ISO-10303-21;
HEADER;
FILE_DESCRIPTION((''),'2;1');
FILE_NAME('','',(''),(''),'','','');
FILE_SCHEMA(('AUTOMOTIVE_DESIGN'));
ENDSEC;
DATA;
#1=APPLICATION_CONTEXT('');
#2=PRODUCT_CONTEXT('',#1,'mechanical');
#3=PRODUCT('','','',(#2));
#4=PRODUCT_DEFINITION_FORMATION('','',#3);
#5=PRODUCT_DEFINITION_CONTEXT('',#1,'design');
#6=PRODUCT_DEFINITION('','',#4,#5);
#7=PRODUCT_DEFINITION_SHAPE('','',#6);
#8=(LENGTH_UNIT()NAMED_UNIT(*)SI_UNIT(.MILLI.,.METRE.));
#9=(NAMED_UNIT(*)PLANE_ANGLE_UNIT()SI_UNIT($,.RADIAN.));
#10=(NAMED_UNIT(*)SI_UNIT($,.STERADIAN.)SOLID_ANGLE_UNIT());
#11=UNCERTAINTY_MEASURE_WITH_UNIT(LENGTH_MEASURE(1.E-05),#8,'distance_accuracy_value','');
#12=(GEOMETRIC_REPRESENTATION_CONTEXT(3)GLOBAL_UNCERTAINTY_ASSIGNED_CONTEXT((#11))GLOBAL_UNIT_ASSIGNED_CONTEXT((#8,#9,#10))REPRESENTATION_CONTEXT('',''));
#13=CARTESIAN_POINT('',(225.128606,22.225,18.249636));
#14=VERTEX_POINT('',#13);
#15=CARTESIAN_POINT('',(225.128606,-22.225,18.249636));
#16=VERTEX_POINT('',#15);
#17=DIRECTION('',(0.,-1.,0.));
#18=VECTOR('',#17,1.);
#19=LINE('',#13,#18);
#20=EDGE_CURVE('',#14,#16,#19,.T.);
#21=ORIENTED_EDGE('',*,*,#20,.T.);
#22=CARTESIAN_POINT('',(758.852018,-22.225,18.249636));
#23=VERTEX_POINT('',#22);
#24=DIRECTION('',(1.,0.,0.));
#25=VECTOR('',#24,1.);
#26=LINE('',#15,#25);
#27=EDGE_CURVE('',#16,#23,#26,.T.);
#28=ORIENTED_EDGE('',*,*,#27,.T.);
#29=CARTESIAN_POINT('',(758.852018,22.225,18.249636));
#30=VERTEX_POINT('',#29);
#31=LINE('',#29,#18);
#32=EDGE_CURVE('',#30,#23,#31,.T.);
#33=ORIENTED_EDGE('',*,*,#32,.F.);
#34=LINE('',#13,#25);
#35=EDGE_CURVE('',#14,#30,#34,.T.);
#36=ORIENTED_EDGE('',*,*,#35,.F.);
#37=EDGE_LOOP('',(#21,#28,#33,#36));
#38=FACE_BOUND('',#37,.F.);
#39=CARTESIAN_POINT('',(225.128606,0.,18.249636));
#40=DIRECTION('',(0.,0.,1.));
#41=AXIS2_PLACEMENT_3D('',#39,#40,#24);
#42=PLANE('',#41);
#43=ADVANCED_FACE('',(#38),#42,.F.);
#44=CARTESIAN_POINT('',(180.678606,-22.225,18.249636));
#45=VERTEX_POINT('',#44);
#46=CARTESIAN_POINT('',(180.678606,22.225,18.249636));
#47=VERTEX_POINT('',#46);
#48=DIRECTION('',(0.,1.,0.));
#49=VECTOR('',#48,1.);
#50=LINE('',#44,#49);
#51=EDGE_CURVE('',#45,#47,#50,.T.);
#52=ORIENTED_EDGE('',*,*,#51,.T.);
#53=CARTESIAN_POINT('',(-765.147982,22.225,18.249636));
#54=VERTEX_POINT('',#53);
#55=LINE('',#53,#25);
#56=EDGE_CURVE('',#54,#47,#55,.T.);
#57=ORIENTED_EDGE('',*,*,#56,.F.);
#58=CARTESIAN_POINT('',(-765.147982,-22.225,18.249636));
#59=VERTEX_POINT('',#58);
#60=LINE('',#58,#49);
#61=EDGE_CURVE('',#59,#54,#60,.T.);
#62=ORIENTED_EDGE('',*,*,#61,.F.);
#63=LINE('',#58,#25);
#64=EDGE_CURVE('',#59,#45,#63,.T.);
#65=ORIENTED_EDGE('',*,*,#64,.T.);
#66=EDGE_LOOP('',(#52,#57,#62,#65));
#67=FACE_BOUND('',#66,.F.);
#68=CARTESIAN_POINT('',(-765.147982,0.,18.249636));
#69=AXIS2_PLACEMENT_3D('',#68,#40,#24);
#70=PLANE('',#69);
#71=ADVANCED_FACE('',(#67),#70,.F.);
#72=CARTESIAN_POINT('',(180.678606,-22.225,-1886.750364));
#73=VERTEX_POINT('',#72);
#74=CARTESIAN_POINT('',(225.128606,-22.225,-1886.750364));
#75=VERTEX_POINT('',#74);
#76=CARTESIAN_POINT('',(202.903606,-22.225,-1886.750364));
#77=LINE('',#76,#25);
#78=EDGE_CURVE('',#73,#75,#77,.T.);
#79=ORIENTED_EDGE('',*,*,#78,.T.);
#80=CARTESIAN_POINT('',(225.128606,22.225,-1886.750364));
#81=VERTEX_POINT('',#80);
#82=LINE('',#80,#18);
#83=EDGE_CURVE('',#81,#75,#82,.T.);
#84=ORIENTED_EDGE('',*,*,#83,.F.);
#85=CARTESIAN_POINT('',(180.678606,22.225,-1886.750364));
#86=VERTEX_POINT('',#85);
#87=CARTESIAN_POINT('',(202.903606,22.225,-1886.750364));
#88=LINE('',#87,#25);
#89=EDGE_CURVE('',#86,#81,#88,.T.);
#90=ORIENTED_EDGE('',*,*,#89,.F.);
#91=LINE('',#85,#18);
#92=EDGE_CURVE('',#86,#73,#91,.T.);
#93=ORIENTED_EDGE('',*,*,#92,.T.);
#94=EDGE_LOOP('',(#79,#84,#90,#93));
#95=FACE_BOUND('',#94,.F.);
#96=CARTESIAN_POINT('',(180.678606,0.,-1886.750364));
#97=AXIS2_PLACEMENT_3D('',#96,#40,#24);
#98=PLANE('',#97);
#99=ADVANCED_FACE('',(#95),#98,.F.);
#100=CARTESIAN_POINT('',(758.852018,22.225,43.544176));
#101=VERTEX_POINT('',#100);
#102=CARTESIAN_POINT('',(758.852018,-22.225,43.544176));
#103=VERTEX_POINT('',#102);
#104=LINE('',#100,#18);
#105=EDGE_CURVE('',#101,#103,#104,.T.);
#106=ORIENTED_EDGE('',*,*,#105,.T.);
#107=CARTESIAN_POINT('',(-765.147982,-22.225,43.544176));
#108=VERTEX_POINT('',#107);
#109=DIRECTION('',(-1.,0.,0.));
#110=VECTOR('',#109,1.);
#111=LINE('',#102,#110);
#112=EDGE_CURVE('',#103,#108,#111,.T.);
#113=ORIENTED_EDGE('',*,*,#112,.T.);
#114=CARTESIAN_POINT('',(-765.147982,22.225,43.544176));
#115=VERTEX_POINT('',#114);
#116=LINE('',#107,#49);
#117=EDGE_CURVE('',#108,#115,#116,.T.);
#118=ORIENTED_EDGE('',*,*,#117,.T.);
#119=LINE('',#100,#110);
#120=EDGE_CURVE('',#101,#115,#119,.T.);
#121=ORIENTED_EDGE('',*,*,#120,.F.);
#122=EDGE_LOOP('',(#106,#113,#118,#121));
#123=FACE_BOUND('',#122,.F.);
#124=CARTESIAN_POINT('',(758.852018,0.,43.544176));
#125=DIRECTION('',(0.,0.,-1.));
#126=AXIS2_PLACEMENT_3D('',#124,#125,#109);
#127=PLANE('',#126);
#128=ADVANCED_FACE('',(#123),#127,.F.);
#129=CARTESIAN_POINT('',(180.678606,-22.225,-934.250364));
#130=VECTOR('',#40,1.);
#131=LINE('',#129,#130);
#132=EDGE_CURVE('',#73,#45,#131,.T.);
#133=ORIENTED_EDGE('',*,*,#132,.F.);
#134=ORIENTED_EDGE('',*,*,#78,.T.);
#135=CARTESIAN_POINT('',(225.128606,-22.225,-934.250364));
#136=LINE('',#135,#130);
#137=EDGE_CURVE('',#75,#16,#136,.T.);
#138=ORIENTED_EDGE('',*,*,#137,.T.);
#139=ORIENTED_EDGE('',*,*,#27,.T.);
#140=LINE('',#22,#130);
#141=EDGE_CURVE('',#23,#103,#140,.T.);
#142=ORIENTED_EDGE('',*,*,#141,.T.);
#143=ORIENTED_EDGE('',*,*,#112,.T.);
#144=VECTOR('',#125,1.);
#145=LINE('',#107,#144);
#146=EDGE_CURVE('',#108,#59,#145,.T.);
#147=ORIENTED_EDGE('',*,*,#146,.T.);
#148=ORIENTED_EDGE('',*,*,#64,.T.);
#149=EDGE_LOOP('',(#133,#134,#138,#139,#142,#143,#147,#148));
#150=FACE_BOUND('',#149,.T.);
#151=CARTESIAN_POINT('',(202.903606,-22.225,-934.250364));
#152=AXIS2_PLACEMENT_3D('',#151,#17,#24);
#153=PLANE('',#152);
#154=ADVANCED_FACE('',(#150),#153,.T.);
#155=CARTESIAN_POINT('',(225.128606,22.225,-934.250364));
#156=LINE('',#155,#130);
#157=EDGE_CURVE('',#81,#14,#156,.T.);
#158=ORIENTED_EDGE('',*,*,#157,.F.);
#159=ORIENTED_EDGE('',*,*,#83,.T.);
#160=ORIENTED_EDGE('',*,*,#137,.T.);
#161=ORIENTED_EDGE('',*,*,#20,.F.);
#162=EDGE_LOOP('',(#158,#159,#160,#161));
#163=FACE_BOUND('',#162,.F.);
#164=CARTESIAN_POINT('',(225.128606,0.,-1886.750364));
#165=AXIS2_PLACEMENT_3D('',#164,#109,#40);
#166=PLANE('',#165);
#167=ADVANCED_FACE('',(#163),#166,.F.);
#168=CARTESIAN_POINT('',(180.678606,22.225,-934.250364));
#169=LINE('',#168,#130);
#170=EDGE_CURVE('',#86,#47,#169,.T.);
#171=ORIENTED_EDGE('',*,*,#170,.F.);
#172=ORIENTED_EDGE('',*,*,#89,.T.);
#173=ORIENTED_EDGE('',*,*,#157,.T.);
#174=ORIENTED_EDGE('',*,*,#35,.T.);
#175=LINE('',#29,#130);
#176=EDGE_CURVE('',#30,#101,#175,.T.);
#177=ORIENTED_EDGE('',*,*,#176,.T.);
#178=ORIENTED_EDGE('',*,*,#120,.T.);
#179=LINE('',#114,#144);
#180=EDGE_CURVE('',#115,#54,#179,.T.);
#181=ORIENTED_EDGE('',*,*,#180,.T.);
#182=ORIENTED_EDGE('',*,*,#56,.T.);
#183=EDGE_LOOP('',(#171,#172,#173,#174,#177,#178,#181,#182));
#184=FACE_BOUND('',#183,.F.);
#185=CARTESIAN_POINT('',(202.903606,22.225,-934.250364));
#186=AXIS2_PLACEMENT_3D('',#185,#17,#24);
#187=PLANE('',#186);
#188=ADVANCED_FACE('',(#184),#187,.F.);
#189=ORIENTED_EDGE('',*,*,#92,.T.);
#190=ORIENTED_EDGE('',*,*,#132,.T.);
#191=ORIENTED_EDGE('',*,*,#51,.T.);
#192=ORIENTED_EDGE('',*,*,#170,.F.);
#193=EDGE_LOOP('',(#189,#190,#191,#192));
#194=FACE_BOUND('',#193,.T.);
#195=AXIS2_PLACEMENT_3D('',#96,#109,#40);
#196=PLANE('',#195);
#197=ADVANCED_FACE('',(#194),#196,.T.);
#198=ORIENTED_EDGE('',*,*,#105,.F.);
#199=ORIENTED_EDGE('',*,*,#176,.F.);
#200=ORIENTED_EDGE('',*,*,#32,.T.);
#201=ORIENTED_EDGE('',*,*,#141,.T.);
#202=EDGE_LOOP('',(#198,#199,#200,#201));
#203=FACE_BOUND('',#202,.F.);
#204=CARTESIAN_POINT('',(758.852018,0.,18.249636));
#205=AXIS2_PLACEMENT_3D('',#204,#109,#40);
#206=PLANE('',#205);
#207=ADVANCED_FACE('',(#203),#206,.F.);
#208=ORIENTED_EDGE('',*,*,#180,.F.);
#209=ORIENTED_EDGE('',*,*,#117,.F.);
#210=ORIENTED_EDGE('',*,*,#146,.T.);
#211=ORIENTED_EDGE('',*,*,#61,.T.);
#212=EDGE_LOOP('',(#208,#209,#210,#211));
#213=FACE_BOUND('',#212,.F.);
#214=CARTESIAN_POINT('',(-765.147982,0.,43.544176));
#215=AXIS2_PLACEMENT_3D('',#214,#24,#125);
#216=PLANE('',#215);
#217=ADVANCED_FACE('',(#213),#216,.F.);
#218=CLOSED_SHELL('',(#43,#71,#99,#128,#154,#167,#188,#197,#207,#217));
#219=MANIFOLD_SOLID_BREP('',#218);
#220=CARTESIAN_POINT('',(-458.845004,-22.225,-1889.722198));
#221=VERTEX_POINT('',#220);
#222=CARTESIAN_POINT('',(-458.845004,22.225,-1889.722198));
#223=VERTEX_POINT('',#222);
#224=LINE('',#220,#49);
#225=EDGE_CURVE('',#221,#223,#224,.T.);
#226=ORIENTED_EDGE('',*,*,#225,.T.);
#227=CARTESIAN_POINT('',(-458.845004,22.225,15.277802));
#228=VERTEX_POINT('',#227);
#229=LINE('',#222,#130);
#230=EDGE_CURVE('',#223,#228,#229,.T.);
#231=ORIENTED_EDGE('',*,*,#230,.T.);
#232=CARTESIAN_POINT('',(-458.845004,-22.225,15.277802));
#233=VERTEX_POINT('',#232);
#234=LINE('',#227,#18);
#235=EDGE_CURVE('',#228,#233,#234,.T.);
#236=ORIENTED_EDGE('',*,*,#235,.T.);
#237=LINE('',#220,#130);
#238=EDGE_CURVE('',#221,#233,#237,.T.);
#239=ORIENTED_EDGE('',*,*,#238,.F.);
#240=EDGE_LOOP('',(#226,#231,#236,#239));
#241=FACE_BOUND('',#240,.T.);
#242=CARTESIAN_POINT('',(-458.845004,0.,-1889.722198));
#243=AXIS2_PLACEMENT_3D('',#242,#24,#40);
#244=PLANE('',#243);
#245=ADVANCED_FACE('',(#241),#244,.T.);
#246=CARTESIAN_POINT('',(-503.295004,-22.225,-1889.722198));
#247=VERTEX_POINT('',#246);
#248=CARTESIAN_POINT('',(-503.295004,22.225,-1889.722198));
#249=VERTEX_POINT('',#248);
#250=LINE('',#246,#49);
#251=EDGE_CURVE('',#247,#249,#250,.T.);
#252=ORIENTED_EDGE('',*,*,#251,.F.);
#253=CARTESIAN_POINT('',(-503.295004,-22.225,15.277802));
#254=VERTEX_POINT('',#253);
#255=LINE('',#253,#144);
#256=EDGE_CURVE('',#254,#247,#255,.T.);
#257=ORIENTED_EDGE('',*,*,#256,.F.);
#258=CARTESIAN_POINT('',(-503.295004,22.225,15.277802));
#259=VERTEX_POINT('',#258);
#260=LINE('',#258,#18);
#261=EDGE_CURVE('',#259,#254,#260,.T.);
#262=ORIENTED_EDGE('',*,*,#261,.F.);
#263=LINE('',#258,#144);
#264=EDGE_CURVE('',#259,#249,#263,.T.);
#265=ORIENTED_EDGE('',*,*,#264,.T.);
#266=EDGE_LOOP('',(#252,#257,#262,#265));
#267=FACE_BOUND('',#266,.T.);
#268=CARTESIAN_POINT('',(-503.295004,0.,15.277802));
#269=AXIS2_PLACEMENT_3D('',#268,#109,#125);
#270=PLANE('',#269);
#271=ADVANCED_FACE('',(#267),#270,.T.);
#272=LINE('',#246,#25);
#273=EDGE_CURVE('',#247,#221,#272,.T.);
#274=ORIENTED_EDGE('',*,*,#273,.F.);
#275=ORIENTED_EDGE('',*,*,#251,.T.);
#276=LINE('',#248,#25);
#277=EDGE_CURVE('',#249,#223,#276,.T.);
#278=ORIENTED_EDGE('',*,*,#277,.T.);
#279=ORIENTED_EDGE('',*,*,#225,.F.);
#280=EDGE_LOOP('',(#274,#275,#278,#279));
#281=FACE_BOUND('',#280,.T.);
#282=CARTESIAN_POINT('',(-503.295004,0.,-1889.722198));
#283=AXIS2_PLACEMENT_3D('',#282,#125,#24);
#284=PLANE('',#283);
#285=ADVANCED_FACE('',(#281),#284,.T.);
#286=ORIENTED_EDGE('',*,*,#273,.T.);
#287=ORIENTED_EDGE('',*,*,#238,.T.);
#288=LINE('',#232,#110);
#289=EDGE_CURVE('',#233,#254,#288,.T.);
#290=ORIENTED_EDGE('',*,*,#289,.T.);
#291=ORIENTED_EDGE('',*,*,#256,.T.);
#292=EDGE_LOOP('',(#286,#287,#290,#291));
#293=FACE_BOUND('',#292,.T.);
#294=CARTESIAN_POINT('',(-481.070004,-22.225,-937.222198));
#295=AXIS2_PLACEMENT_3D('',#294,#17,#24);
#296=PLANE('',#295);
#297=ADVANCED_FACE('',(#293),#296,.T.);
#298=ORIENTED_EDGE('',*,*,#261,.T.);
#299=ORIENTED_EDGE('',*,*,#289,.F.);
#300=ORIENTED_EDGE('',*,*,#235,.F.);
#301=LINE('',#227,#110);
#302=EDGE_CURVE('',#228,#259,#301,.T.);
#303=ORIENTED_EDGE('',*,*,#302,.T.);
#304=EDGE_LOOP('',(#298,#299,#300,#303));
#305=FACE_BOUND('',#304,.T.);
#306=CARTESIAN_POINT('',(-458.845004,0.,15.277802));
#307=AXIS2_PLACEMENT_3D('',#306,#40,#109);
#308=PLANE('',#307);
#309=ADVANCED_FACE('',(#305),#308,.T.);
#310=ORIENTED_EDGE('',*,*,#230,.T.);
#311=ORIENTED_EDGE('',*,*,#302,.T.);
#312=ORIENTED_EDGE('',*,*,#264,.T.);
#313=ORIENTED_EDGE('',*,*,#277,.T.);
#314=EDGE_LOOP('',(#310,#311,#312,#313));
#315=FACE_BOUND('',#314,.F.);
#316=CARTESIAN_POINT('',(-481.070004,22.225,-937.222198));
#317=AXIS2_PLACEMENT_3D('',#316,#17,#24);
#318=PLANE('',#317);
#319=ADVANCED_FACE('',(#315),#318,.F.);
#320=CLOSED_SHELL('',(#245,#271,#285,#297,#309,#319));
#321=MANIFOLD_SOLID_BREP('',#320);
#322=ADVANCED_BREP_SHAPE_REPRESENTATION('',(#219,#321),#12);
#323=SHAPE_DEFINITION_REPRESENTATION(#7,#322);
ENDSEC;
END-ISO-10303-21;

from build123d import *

# Parameters (mm, degrees)
F0_W     = 44.45
F0_H     = 1905
F1_DEPTH = 22.225


with BuildPart() as f1:
    # F0 (on Front) → F1 (new body, symmetric)
    with BuildSketch(Plane.XZ):
        with Locations((202.903606, -934.250364)):
            Rectangle(F0_W, F0_H)
        Polygon((758.852018, 43.544176), (-765.147982, 43.544176), (-765.147982, 18.249636), (180.678606, 18.249636), (225.128606, 18.249636), (758.852018, 18.249636), align=None)
        Polygon((-458.845004, -1889.722198), (-458.845004, -632.672131), (-458.845004, 15.277802), (-503.295004, 15.277802), (-503.295004, -1889.722198), align=None)
    extrude(amount=F1_DEPTH, both=True)


solid = f1.part
